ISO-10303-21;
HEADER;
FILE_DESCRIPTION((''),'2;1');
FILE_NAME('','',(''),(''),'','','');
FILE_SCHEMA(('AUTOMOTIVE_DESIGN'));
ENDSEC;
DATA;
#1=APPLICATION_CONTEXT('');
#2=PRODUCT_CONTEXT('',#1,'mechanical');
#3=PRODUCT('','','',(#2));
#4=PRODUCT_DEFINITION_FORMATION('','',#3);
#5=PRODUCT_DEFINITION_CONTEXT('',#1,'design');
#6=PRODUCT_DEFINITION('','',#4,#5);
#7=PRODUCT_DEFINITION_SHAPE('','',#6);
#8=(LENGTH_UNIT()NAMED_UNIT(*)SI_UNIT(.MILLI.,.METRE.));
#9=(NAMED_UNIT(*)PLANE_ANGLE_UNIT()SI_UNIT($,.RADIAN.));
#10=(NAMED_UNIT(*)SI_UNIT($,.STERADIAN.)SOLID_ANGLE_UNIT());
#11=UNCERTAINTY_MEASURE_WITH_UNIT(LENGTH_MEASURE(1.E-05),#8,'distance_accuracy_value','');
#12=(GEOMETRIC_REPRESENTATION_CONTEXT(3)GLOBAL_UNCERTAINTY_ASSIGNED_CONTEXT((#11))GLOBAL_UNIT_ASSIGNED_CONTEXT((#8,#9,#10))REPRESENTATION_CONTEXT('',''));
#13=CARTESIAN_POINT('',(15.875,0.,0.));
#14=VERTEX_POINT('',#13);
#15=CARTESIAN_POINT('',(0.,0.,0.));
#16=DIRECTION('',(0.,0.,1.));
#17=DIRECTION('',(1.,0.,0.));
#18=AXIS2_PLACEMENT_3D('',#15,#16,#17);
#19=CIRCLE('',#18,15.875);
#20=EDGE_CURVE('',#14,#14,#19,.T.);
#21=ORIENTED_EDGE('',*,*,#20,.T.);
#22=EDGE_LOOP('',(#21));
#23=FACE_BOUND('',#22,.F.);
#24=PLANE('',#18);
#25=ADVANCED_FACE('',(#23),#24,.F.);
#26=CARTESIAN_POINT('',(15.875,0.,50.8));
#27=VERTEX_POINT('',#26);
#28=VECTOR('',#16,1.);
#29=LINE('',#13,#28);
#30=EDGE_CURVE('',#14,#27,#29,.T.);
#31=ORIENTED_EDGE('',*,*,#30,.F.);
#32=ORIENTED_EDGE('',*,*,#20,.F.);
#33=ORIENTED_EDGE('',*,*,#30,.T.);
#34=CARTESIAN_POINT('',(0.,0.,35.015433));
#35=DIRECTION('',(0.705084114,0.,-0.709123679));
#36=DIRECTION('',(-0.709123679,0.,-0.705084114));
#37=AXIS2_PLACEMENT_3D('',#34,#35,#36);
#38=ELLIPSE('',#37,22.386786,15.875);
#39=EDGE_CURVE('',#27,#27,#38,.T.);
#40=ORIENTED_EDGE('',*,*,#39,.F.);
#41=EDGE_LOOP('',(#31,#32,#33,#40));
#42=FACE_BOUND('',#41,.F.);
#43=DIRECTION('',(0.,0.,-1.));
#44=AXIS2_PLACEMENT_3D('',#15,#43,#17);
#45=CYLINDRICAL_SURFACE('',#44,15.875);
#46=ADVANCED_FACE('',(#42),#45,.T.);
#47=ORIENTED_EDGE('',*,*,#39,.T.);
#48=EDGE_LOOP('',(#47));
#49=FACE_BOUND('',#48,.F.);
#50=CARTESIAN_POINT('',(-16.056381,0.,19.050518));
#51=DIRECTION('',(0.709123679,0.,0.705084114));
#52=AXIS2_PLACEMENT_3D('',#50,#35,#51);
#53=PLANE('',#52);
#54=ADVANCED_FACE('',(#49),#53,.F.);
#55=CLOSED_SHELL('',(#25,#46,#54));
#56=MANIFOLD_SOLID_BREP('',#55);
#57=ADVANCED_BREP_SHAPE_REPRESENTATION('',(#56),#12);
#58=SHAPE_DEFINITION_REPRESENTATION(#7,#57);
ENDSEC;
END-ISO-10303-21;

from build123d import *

# Parameters (mm, degrees)
F0_R     = 15.875
F1_DEPTH = 50.8
F3_DEPTH = 25.4


with BuildPart() as f1:
    # F0 (on Top) → F1 (new body)
    with BuildSketch(Plane.XY):
        Circle(F0_R)
    extrude(amount=F1_DEPTH)

    # F2 (on Front) → F3 (cut, symmetric)
    with BuildSketch(Plane.XZ):
        Polygon((15.875, 50.8), (-15.875, 50.8), (-16.056381, 19.050518), align=None)
    extrude(amount=F3_DEPTH, both=True, mode=Mode.SUBTRACT)


solid = f1.part
